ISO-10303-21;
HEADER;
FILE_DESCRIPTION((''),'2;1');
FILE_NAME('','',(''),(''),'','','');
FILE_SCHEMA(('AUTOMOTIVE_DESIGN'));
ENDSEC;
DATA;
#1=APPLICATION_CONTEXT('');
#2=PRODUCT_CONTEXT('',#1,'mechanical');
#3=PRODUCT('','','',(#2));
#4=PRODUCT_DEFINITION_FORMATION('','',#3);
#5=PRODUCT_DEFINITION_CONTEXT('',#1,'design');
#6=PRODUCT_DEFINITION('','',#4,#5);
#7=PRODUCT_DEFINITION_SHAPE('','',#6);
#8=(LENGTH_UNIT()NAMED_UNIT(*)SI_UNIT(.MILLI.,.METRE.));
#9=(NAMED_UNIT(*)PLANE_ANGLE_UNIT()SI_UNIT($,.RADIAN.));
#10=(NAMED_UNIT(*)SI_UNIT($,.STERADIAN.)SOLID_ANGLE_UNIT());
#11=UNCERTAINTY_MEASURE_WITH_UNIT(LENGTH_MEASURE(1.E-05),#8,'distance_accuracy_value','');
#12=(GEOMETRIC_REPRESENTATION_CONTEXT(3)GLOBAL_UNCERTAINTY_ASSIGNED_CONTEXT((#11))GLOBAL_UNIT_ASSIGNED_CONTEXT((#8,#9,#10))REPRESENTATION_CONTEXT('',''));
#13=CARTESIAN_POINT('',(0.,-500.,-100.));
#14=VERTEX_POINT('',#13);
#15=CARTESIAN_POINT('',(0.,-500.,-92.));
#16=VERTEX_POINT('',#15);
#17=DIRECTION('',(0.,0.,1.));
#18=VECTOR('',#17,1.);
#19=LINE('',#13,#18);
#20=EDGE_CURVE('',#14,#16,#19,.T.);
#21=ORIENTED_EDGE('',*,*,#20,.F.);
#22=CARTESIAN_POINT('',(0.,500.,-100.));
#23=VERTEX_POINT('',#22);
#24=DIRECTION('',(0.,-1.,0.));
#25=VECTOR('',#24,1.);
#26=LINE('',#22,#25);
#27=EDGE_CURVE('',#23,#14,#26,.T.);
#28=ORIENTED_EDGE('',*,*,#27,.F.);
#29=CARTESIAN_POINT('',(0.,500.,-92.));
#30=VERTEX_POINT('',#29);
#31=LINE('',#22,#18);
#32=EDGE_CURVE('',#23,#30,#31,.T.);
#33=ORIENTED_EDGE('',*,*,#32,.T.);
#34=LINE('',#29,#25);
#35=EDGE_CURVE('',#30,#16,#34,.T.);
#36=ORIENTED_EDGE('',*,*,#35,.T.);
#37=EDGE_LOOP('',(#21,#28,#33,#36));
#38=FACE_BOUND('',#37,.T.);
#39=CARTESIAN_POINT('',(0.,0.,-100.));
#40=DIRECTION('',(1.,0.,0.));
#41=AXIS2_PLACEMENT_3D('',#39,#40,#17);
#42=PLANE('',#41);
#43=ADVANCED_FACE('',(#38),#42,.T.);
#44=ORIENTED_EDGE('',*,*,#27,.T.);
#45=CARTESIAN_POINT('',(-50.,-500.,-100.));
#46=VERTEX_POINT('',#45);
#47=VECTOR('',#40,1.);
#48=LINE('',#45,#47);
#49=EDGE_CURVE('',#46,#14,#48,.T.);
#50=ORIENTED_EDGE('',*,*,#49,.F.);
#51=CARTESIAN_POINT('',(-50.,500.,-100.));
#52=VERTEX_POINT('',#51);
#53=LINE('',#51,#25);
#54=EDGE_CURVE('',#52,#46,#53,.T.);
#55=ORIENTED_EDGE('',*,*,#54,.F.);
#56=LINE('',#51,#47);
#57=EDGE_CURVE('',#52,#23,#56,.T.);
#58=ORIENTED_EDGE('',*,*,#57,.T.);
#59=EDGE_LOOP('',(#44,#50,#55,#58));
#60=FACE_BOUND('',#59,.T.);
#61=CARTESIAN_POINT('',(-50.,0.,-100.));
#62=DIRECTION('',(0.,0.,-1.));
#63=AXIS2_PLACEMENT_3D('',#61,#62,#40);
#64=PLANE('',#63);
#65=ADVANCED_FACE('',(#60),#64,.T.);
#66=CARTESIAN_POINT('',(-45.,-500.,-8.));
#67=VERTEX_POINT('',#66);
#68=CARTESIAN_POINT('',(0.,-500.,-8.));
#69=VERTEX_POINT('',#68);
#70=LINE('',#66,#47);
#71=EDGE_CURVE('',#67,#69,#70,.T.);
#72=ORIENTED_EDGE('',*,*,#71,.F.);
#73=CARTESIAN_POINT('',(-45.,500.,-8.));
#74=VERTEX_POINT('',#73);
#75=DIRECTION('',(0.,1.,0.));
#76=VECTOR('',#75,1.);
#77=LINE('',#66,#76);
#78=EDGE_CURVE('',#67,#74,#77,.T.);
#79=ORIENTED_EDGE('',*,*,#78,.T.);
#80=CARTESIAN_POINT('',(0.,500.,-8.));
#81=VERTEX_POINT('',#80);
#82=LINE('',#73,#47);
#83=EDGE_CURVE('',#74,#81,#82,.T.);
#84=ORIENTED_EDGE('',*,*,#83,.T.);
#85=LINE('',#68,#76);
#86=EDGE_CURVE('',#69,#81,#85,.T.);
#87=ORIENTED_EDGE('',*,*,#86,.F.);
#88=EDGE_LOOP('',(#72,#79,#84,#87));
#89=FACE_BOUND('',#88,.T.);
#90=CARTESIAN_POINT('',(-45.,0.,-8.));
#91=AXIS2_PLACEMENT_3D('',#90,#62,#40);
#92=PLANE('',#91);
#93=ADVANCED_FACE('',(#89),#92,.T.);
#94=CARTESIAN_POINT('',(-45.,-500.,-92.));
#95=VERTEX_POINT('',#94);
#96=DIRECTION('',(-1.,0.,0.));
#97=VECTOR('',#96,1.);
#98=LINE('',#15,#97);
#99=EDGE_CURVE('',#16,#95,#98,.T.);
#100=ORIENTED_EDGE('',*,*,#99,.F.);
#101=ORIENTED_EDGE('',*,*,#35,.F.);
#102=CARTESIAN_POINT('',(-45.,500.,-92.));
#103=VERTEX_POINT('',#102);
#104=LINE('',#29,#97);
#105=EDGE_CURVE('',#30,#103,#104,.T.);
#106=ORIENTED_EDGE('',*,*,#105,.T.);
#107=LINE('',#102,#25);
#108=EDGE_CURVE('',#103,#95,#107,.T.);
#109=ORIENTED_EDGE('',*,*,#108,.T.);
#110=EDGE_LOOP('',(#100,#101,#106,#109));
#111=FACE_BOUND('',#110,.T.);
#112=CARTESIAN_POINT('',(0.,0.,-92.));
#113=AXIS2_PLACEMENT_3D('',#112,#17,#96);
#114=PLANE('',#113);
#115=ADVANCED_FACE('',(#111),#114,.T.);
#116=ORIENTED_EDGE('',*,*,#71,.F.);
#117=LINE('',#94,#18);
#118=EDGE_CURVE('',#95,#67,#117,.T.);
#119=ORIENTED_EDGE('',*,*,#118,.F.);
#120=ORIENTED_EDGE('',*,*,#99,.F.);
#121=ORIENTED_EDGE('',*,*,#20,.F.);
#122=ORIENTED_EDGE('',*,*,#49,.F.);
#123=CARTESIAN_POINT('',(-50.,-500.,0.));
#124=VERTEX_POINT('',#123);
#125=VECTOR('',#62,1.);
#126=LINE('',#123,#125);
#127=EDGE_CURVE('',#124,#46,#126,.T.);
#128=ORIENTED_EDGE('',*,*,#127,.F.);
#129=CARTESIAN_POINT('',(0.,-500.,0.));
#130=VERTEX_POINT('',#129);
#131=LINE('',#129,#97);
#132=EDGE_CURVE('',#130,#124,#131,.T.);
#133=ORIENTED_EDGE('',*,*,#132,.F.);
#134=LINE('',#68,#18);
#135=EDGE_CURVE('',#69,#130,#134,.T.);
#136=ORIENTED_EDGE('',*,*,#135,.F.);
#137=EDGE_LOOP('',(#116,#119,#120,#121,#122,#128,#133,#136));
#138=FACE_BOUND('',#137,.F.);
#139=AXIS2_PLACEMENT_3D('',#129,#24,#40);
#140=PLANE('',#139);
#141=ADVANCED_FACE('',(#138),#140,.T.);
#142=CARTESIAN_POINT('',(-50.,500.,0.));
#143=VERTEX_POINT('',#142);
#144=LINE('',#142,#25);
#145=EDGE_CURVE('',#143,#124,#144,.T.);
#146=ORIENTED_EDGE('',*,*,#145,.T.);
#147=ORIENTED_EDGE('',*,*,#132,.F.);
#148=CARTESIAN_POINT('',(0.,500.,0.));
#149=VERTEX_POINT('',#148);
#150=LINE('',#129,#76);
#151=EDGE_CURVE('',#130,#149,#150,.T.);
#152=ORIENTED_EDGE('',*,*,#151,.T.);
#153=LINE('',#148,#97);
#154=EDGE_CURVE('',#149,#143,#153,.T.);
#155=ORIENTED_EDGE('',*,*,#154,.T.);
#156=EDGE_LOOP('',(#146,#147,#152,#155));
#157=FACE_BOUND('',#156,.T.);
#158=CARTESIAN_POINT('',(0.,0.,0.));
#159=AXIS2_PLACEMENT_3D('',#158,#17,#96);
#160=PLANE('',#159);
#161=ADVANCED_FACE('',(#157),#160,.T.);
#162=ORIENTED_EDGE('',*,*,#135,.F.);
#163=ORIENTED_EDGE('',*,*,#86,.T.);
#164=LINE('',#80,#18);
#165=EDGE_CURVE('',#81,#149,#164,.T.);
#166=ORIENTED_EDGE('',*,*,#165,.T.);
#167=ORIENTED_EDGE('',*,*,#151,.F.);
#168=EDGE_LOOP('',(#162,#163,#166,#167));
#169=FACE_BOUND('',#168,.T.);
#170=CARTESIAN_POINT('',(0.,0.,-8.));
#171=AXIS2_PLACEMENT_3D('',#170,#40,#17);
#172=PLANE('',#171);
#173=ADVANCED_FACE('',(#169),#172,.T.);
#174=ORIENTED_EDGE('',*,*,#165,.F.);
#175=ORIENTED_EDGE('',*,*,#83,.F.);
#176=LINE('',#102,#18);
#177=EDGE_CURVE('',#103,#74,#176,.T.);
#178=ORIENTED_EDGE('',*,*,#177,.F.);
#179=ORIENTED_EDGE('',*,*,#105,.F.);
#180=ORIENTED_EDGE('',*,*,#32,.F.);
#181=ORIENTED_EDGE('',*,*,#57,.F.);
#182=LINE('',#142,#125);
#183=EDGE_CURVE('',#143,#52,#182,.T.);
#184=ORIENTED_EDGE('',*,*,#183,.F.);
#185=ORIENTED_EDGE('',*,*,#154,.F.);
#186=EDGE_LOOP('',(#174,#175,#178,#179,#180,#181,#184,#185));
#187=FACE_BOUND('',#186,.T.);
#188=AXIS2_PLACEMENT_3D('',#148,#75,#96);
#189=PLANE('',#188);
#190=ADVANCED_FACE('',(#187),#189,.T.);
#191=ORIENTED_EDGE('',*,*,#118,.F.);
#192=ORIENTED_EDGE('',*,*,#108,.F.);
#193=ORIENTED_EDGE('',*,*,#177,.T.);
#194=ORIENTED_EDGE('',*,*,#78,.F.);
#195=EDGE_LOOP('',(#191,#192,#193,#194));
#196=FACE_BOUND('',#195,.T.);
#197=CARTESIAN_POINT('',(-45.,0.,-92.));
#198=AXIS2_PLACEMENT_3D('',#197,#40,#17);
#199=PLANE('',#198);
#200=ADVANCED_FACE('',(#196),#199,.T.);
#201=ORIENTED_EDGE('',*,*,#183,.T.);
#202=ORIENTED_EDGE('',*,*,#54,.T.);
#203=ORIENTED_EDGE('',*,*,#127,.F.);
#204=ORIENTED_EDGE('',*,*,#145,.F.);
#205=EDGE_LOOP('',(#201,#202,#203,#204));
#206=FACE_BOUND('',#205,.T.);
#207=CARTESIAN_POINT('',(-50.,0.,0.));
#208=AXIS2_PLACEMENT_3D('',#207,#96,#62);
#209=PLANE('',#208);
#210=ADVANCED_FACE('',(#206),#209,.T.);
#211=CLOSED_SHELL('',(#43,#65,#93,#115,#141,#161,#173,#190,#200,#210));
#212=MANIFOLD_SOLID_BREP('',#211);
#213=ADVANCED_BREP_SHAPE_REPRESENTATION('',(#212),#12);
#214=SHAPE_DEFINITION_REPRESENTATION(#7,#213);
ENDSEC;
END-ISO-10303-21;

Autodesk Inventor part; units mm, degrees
ref_plane "YZ Plane" through (0, 0, 0) normal (1, 0, 0) x (0, 1, 0)
ref_plane "XZ Plane" through (0, 0, 0) normal (0, 1, 0) x (-1, 0, 0)
ref_plane "XY Plane" through (0, 0, 0) normal (0, 0, 1) x (1, 0, 0)
sketch "Sketch1" plane through (0, 0, 0) normal (0, 1, 0) x (-1, 0, 0)
  line L0 (0, 0) -> (50, 0)
  line L1 (50, 0) -> (50, -100)
  line L2 (50, -100) -> (0, -100)
  line L3 (0, -100) -> (0, -92)
  line L4 (0, -92) -> (45, -92)
  line L5 (45, -92) -> (45, -8)
  line L6 (45, -8) -> (0, -8)
  line L7 (0, -8) -> (0, 0)
  dimension "d0" = 50
  dimension "d1" = 100
  dimension "d2" = 8
  dimension "d3" = 45
  dimension "d4" = 84
extrude "Extrusion1" add sketch "Sketch1" along normal blind 500
mirror "Mirror1" about plane through (-34.1154, 0, -50) normal (0, -1, 0) of "Extrusion1"
properties part number "Channel1"
